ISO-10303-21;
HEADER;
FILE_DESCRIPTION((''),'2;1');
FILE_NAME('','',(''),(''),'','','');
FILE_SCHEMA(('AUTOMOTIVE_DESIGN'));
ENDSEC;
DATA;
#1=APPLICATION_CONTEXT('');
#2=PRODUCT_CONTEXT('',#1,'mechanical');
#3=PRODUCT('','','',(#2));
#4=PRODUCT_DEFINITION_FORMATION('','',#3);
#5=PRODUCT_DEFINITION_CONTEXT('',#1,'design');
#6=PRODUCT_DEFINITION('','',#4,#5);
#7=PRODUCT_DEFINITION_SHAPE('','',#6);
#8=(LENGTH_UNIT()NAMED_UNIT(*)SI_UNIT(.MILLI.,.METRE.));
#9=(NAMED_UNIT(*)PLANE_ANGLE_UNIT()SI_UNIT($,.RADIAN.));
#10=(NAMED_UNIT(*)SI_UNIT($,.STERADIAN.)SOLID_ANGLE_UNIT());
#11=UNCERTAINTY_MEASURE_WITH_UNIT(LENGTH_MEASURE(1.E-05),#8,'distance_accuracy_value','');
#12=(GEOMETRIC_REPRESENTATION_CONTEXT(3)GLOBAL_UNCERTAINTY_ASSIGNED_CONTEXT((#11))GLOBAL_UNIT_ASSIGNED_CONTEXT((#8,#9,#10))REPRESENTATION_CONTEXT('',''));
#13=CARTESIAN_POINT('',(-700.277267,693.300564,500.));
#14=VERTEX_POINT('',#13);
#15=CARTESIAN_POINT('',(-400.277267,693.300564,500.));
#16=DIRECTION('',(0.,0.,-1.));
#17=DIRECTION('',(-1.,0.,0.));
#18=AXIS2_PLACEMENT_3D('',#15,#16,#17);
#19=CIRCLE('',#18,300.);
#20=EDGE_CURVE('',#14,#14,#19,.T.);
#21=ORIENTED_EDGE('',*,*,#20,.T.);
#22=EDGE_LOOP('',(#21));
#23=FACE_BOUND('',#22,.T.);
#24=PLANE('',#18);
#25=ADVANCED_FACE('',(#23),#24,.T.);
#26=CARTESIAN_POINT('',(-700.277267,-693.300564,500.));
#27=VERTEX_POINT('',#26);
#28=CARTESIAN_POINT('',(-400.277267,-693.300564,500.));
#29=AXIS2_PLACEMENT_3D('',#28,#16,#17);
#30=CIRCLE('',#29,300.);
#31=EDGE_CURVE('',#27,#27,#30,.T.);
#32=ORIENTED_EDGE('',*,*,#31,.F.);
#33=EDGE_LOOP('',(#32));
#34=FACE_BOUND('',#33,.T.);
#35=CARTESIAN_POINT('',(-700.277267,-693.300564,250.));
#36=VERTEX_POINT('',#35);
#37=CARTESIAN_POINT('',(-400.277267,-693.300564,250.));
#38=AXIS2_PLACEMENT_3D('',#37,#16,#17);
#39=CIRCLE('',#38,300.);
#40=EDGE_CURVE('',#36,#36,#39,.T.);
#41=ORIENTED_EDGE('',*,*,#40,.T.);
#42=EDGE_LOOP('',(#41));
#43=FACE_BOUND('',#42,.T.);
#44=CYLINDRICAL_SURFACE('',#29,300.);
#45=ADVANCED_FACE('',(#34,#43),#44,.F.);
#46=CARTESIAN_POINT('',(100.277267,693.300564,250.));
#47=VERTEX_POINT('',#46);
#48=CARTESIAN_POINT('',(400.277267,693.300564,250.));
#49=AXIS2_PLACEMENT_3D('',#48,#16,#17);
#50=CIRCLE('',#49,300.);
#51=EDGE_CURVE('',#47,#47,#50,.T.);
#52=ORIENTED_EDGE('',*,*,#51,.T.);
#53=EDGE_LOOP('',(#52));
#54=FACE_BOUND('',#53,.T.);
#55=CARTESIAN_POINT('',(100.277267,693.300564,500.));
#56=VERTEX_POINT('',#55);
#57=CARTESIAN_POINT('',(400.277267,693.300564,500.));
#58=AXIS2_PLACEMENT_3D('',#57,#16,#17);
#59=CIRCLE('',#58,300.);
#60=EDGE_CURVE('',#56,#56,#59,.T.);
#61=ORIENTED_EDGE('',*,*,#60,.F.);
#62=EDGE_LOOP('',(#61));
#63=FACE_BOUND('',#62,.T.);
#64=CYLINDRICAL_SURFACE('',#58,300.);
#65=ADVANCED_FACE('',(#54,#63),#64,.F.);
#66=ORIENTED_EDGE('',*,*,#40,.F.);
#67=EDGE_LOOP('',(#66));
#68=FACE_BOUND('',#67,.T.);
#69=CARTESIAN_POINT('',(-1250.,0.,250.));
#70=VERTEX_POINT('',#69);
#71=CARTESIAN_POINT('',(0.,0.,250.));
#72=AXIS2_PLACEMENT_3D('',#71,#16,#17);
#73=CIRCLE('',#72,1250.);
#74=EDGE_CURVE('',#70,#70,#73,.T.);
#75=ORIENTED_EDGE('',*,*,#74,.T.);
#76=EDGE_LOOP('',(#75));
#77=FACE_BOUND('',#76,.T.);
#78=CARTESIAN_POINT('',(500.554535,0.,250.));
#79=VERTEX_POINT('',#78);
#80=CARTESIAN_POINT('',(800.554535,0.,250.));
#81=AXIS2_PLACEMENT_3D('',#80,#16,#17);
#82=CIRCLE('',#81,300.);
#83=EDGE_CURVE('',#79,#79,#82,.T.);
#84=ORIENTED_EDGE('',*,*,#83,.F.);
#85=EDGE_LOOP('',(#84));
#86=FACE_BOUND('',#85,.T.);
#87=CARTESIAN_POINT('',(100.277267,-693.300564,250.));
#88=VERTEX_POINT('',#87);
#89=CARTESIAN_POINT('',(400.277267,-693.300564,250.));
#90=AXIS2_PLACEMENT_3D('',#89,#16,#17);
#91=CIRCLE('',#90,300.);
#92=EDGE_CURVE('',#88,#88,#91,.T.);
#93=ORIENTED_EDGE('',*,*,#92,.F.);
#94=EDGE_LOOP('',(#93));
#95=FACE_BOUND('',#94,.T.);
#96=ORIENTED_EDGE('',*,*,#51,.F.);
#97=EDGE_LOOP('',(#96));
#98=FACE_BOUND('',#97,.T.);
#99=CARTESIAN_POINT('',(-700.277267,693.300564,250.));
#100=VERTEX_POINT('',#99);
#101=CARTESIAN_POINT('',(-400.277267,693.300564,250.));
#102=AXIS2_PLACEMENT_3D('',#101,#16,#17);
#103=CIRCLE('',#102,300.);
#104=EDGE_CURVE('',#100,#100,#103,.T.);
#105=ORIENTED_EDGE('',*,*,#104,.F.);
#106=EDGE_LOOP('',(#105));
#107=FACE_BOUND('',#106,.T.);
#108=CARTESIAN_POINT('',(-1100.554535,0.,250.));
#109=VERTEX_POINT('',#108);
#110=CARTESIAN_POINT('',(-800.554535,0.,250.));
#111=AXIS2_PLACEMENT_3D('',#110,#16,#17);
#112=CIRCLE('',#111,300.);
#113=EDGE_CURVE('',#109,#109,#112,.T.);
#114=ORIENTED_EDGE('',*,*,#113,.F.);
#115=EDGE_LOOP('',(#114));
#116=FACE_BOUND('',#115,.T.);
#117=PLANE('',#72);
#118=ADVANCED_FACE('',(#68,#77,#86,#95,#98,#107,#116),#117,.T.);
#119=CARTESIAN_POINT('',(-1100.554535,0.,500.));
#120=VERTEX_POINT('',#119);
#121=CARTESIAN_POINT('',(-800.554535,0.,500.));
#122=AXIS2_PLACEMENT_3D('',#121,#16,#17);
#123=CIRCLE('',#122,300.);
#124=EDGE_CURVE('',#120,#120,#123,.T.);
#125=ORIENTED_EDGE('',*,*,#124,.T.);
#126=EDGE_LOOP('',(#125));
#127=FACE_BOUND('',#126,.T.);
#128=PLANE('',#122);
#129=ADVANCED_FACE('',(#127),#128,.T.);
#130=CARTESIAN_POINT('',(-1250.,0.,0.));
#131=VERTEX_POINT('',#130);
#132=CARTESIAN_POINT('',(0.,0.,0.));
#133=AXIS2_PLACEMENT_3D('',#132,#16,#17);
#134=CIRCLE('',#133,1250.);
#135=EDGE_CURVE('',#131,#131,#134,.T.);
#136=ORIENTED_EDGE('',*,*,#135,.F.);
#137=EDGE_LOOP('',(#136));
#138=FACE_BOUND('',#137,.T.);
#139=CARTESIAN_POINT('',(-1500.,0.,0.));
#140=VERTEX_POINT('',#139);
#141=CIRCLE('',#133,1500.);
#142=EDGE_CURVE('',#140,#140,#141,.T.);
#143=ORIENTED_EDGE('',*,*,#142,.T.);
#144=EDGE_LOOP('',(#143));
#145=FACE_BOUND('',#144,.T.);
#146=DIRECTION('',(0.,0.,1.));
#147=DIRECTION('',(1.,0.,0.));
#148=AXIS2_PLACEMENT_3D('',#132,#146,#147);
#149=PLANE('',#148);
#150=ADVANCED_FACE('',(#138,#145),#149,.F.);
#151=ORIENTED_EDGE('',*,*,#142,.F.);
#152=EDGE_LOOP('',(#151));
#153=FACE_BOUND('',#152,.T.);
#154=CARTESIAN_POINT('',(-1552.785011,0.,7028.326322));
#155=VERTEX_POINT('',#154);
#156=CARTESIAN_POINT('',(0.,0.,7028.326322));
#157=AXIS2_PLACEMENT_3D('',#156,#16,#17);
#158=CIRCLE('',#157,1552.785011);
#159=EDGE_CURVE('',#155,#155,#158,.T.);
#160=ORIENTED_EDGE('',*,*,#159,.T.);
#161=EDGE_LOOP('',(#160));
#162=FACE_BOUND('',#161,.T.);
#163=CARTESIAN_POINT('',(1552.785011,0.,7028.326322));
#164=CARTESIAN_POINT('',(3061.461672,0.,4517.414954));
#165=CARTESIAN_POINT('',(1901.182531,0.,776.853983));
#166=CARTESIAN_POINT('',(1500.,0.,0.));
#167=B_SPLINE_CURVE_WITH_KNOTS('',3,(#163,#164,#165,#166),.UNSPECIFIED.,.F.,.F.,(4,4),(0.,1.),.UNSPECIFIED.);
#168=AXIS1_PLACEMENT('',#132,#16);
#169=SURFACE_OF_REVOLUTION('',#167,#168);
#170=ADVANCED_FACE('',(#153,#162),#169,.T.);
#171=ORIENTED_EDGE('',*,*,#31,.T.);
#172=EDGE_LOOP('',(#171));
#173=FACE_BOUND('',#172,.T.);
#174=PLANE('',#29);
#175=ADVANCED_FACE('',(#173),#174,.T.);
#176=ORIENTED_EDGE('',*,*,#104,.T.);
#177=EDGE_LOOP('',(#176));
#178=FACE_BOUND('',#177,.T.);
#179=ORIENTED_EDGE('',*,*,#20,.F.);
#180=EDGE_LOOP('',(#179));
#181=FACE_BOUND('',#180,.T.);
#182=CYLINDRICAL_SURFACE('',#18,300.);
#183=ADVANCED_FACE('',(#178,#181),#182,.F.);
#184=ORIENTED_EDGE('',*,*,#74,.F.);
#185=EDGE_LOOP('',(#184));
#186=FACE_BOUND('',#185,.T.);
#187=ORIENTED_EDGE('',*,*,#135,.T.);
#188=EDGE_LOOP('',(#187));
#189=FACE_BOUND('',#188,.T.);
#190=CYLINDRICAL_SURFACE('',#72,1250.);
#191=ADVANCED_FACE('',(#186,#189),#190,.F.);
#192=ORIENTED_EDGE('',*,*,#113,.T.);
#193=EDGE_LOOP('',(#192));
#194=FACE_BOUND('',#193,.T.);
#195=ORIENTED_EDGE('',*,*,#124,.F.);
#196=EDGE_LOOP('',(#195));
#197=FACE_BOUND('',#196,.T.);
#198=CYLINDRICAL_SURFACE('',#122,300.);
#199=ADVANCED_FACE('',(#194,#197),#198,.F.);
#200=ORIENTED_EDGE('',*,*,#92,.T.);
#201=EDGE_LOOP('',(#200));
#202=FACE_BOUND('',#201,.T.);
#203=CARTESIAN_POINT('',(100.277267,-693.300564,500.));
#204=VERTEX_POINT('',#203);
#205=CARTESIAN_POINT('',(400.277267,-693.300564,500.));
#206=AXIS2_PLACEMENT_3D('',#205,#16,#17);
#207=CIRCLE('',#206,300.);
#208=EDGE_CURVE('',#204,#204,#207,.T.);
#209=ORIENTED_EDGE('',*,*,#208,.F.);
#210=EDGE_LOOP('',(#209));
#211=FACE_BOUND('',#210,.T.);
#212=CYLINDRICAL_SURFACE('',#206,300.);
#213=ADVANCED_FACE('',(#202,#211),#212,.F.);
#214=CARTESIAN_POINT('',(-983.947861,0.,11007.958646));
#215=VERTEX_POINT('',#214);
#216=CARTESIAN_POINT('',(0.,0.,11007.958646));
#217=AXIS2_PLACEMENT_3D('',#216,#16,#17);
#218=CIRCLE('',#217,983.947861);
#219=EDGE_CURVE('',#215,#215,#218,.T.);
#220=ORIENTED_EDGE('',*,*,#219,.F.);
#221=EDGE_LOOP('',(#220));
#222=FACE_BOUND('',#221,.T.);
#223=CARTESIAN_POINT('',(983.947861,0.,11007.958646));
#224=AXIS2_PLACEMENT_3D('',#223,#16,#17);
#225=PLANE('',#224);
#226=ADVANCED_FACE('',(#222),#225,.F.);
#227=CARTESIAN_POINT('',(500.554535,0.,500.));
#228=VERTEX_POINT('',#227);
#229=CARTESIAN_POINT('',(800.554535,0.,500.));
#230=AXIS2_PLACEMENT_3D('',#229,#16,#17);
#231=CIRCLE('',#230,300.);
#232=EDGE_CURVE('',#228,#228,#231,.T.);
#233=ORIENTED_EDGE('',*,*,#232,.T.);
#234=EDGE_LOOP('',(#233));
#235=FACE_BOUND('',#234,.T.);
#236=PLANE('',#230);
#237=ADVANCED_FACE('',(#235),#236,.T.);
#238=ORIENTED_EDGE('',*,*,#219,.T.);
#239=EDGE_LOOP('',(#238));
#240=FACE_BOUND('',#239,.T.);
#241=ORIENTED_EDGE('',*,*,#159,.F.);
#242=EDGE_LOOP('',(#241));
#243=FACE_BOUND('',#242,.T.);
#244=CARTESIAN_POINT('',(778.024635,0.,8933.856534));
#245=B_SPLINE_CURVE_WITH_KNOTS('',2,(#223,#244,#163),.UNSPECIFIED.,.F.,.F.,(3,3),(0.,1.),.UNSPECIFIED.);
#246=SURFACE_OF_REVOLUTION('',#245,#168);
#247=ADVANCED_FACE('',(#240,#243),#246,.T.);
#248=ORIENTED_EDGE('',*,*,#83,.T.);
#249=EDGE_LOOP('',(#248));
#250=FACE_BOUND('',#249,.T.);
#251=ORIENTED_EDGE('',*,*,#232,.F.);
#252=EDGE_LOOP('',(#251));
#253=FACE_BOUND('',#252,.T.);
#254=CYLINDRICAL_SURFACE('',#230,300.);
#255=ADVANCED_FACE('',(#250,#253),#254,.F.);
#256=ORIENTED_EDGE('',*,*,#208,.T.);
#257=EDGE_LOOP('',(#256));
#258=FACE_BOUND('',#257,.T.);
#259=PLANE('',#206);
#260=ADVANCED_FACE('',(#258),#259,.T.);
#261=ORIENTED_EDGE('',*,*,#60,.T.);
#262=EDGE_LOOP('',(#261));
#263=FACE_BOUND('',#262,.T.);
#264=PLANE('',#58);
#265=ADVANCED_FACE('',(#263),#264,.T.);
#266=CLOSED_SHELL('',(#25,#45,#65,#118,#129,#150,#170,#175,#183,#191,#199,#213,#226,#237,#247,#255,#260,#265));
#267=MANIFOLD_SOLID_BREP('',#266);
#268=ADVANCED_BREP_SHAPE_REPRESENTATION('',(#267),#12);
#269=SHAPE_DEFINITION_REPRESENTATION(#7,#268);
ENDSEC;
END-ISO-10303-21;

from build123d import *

# Parameters (mm, degrees)
SKETCH5_R          = 1250
CUT_EXTRUDE2_DEPTH = 250
SKETCH8_R          = 300
CUT_EXTRUDE5_DEPTH = 250


with BuildPart() as part:
    # Sketch2 → Revolve4 (revolve)
    with BuildSketch(Plane(origin=(0, 0, 0), x_dir=(1, 0, 0), z_dir=(0, 1, 0))):
        with BuildLine():
            Line((983.947861403, -11007.958646251), (0, -11007.958646251))
            Line((0, -11007.958646251), (0, 0))
            Line((0, 0), (1500, 0))
            add(Edge.make_bspline(
                [(1500, 0), (1901.182531153, -776.853983433), (3061.461672261, -4517.414953739), (1552.785010708, -7028.326321897)],
                knots=[0, 0, 0, 0, 1, 1, 1, 1], degree=3))
            add(Edge.make_bspline(
                [(983.947861403, -11007.958646251), (778.02463544, -8933.856534366), (1552.785010708, -7028.326321897)],
                knots=[0, 0, 0, 1, 1, 1], degree=2))
        make_face()
    revolve(axis=Axis((0, 0, 0), (0, 0, 1)))

    # Sketch5 → Cut-Extrude2 (cut)
    with BuildSketch(Plane(origin=(0, 0, 0), x_dir=(-1, 0, 0), z_dir=(0, 0, -1))):
        Circle(SKETCH5_R)
    extrude(amount=-CUT_EXTRUDE2_DEPTH, mode=Mode.SUBTRACT)

    # Sketch8 → Cut-Extrude5 (cut)
    with BuildSketch(Plane(origin=(0, 0, 250), x_dir=(-1, 0, 0), z_dir=(0, 0, -1))):
        with Locations((800.554534759, 0)):
            Circle(SKETCH8_R)
        with Locations((400.27726738, -693.300564216)):
            Circle(SKETCH8_R)
        with Locations((-400.27726738, -693.300564216)):
            Circle(SKETCH8_R)
        with Locations((-800.554534759, 0)):
            Circle(SKETCH8_R)
        with Locations((-400.27726738, 693.300564216)):
            Circle(SKETCH8_R)
        with Locations((400.27726738, 693.300564216)):
            Circle(SKETCH8_R)
    extrude(amount=-CUT_EXTRUDE5_DEPTH, mode=Mode.SUBTRACT)


solid = part.part
